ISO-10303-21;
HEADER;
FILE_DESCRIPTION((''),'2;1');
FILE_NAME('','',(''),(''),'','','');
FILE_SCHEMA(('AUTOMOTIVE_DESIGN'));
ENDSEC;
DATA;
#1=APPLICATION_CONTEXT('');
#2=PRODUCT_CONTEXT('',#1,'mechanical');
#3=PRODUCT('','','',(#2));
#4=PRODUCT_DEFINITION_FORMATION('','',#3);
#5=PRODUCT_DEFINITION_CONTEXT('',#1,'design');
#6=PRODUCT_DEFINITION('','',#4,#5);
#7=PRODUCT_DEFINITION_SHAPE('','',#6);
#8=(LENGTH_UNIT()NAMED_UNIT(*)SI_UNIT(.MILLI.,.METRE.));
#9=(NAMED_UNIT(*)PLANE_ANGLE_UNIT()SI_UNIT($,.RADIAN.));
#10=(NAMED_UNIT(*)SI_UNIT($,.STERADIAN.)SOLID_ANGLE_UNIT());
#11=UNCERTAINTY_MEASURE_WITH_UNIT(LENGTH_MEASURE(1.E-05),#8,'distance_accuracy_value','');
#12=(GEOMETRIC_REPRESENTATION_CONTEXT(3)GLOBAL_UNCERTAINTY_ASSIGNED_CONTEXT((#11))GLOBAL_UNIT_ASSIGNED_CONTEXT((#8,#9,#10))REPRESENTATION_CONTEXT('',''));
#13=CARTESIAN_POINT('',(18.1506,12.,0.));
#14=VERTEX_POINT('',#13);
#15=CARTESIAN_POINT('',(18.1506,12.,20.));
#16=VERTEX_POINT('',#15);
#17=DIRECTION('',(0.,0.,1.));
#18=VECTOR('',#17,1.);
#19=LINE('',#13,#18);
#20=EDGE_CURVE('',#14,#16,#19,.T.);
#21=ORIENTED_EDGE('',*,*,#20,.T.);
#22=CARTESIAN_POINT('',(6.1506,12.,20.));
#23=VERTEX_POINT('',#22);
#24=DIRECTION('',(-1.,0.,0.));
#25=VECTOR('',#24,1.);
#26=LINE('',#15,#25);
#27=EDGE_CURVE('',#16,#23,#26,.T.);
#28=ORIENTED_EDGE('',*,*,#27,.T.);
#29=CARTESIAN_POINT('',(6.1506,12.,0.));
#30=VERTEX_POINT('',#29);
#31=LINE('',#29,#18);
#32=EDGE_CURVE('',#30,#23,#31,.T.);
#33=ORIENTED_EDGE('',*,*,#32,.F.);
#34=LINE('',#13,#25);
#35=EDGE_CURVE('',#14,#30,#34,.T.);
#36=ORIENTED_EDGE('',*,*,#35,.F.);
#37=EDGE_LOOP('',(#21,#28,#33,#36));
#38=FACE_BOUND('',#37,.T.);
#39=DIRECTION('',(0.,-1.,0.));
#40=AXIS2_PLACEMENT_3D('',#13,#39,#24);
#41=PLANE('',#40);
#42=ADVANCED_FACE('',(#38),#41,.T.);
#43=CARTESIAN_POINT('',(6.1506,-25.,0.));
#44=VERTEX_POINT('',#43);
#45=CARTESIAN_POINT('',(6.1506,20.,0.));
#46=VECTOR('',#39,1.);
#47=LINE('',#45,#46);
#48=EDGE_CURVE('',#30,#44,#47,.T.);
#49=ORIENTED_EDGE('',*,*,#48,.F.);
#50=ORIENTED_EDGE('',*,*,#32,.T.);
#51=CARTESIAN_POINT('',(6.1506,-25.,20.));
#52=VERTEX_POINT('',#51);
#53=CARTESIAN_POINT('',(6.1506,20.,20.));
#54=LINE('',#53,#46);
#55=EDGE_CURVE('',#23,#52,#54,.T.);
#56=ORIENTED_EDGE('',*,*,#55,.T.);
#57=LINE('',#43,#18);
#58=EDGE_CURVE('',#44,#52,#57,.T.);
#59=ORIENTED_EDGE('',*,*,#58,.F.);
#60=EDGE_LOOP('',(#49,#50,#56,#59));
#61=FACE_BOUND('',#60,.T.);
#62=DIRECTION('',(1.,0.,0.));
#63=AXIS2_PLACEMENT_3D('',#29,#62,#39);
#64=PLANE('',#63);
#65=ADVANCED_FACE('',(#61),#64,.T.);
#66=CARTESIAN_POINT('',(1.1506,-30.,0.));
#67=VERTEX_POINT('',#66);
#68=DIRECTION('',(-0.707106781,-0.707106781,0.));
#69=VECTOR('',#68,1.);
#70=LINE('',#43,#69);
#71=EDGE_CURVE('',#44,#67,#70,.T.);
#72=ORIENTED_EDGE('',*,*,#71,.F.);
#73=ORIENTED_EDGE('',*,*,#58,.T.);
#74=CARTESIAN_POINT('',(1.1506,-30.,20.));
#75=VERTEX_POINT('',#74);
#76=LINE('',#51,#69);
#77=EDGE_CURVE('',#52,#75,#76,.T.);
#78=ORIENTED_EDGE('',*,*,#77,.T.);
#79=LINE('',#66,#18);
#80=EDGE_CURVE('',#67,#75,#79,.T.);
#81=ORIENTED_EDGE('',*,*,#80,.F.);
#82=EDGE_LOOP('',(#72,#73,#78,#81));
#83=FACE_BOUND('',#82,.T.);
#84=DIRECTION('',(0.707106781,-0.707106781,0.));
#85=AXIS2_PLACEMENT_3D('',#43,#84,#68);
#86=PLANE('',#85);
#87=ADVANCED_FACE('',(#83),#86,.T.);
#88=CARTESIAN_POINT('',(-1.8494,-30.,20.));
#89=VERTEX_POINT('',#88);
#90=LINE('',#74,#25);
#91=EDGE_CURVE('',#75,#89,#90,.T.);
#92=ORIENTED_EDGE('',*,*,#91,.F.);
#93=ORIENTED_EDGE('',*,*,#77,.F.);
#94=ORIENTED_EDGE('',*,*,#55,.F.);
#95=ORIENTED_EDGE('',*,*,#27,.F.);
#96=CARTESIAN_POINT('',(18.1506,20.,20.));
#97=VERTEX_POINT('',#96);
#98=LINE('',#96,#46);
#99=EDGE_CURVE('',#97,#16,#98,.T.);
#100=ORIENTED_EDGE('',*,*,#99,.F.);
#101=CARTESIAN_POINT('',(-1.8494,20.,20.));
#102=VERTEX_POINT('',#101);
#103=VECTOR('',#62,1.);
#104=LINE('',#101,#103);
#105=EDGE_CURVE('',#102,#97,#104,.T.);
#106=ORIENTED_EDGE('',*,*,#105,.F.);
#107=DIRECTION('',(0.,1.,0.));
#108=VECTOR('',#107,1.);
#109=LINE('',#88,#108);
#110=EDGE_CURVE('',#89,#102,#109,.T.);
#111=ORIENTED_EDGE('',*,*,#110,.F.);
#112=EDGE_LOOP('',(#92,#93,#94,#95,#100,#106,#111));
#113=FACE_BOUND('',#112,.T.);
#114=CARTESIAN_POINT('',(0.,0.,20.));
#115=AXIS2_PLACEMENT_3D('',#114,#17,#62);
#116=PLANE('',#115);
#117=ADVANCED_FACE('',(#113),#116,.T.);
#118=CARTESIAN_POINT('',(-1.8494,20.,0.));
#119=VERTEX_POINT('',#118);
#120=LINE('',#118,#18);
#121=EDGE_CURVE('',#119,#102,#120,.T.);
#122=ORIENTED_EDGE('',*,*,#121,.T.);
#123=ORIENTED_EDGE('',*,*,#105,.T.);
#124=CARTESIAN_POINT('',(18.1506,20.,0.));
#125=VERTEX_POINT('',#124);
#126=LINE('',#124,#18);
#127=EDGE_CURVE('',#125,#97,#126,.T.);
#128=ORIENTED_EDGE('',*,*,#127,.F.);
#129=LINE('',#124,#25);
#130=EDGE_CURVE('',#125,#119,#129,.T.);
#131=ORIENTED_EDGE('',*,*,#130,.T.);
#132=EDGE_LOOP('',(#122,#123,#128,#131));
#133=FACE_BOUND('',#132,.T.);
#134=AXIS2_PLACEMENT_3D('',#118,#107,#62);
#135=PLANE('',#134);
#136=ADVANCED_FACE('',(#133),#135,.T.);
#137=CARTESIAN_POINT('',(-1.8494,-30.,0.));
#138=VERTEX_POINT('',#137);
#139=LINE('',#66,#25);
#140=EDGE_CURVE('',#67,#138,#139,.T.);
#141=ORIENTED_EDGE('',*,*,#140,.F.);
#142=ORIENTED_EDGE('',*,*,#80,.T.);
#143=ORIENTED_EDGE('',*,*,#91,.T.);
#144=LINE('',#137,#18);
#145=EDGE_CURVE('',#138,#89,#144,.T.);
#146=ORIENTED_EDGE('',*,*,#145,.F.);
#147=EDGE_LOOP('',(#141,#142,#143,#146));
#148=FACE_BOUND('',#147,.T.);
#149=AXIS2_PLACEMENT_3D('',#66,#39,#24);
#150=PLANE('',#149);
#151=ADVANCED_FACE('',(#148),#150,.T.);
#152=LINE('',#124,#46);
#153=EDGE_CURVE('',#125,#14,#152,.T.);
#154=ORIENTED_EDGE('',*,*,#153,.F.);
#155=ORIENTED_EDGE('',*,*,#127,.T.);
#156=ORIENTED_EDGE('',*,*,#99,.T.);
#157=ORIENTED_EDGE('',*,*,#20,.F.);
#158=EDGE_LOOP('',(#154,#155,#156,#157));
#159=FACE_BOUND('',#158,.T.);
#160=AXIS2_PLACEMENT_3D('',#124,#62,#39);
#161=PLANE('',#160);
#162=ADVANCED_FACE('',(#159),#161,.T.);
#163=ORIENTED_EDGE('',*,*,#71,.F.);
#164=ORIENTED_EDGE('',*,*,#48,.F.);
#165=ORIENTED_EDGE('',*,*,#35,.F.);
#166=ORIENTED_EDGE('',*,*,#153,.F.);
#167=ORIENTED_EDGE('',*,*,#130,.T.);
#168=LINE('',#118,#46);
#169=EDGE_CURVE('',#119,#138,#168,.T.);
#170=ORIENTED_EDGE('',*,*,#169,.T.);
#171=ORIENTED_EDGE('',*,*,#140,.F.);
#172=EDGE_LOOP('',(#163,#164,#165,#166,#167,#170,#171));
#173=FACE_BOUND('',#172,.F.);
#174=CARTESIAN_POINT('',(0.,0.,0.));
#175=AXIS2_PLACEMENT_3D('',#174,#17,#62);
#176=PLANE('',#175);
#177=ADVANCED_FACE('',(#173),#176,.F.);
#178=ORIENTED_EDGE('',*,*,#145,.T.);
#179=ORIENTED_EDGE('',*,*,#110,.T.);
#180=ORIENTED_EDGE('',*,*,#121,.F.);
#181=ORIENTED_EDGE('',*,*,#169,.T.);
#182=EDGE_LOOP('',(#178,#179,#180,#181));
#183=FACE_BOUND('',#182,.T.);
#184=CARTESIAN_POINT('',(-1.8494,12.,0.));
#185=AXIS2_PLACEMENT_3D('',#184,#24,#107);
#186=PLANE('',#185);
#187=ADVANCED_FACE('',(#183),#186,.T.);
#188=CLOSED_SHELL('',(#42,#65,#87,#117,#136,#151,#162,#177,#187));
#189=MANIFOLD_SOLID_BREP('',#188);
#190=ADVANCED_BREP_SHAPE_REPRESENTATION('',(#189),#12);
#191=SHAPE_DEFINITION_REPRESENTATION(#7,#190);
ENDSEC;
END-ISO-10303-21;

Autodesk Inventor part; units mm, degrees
ref_plane "YZ Plane" through (0, 0, 0) normal (1, 0, 0) x (0, 1, 0)
ref_plane "XZ Plane" through (0, 0, 0) normal (0, 1, 0) x (-1, 0, 0)
ref_plane "XY Plane" through (0, 0, 0) normal (0, 0, 1) x (1, 0, 0)
sketch "ｽｹｯﾁ1" plane through (0, 0, 0) normal (0, 0, 1) x (1, 0, 0)
  line L0 (-1.8494, 20) -> (18.1506, 20)
  line L1 (18.1506, 20) -> (18.1506, 12)
  line L2 (18.1506, 12) -> (-1.8494, 12)
  line L3 (-1.8494, 12) -> (-1.8494, 20)
  line L4 (-1.8494, 20) -> (6.1506, 20)
  line L5 (6.1506, 20) -> (6.1506, -25)
  line L6 (1.1506, -30) -> (-1.8494, -30)
  line L7 (-1.8494, -30) -> (-1.8494, 20)
  line L8 (6.1506, -25) -> (1.1506, -30)
  point P0 (6.1506, -30)
  dimension "d0" = 20
  dimension "d1" = 8
  dimension "d2" = 50
  dimension "d3" = 5
  dimension "d4" = 5
  dimension "d5" = 8
extrude "Extrusion1" add sketch "ｽｹｯﾁ1" along normal blind 20
equation "\"d4\" = d3"
properties part number "Robot-Clamp"
